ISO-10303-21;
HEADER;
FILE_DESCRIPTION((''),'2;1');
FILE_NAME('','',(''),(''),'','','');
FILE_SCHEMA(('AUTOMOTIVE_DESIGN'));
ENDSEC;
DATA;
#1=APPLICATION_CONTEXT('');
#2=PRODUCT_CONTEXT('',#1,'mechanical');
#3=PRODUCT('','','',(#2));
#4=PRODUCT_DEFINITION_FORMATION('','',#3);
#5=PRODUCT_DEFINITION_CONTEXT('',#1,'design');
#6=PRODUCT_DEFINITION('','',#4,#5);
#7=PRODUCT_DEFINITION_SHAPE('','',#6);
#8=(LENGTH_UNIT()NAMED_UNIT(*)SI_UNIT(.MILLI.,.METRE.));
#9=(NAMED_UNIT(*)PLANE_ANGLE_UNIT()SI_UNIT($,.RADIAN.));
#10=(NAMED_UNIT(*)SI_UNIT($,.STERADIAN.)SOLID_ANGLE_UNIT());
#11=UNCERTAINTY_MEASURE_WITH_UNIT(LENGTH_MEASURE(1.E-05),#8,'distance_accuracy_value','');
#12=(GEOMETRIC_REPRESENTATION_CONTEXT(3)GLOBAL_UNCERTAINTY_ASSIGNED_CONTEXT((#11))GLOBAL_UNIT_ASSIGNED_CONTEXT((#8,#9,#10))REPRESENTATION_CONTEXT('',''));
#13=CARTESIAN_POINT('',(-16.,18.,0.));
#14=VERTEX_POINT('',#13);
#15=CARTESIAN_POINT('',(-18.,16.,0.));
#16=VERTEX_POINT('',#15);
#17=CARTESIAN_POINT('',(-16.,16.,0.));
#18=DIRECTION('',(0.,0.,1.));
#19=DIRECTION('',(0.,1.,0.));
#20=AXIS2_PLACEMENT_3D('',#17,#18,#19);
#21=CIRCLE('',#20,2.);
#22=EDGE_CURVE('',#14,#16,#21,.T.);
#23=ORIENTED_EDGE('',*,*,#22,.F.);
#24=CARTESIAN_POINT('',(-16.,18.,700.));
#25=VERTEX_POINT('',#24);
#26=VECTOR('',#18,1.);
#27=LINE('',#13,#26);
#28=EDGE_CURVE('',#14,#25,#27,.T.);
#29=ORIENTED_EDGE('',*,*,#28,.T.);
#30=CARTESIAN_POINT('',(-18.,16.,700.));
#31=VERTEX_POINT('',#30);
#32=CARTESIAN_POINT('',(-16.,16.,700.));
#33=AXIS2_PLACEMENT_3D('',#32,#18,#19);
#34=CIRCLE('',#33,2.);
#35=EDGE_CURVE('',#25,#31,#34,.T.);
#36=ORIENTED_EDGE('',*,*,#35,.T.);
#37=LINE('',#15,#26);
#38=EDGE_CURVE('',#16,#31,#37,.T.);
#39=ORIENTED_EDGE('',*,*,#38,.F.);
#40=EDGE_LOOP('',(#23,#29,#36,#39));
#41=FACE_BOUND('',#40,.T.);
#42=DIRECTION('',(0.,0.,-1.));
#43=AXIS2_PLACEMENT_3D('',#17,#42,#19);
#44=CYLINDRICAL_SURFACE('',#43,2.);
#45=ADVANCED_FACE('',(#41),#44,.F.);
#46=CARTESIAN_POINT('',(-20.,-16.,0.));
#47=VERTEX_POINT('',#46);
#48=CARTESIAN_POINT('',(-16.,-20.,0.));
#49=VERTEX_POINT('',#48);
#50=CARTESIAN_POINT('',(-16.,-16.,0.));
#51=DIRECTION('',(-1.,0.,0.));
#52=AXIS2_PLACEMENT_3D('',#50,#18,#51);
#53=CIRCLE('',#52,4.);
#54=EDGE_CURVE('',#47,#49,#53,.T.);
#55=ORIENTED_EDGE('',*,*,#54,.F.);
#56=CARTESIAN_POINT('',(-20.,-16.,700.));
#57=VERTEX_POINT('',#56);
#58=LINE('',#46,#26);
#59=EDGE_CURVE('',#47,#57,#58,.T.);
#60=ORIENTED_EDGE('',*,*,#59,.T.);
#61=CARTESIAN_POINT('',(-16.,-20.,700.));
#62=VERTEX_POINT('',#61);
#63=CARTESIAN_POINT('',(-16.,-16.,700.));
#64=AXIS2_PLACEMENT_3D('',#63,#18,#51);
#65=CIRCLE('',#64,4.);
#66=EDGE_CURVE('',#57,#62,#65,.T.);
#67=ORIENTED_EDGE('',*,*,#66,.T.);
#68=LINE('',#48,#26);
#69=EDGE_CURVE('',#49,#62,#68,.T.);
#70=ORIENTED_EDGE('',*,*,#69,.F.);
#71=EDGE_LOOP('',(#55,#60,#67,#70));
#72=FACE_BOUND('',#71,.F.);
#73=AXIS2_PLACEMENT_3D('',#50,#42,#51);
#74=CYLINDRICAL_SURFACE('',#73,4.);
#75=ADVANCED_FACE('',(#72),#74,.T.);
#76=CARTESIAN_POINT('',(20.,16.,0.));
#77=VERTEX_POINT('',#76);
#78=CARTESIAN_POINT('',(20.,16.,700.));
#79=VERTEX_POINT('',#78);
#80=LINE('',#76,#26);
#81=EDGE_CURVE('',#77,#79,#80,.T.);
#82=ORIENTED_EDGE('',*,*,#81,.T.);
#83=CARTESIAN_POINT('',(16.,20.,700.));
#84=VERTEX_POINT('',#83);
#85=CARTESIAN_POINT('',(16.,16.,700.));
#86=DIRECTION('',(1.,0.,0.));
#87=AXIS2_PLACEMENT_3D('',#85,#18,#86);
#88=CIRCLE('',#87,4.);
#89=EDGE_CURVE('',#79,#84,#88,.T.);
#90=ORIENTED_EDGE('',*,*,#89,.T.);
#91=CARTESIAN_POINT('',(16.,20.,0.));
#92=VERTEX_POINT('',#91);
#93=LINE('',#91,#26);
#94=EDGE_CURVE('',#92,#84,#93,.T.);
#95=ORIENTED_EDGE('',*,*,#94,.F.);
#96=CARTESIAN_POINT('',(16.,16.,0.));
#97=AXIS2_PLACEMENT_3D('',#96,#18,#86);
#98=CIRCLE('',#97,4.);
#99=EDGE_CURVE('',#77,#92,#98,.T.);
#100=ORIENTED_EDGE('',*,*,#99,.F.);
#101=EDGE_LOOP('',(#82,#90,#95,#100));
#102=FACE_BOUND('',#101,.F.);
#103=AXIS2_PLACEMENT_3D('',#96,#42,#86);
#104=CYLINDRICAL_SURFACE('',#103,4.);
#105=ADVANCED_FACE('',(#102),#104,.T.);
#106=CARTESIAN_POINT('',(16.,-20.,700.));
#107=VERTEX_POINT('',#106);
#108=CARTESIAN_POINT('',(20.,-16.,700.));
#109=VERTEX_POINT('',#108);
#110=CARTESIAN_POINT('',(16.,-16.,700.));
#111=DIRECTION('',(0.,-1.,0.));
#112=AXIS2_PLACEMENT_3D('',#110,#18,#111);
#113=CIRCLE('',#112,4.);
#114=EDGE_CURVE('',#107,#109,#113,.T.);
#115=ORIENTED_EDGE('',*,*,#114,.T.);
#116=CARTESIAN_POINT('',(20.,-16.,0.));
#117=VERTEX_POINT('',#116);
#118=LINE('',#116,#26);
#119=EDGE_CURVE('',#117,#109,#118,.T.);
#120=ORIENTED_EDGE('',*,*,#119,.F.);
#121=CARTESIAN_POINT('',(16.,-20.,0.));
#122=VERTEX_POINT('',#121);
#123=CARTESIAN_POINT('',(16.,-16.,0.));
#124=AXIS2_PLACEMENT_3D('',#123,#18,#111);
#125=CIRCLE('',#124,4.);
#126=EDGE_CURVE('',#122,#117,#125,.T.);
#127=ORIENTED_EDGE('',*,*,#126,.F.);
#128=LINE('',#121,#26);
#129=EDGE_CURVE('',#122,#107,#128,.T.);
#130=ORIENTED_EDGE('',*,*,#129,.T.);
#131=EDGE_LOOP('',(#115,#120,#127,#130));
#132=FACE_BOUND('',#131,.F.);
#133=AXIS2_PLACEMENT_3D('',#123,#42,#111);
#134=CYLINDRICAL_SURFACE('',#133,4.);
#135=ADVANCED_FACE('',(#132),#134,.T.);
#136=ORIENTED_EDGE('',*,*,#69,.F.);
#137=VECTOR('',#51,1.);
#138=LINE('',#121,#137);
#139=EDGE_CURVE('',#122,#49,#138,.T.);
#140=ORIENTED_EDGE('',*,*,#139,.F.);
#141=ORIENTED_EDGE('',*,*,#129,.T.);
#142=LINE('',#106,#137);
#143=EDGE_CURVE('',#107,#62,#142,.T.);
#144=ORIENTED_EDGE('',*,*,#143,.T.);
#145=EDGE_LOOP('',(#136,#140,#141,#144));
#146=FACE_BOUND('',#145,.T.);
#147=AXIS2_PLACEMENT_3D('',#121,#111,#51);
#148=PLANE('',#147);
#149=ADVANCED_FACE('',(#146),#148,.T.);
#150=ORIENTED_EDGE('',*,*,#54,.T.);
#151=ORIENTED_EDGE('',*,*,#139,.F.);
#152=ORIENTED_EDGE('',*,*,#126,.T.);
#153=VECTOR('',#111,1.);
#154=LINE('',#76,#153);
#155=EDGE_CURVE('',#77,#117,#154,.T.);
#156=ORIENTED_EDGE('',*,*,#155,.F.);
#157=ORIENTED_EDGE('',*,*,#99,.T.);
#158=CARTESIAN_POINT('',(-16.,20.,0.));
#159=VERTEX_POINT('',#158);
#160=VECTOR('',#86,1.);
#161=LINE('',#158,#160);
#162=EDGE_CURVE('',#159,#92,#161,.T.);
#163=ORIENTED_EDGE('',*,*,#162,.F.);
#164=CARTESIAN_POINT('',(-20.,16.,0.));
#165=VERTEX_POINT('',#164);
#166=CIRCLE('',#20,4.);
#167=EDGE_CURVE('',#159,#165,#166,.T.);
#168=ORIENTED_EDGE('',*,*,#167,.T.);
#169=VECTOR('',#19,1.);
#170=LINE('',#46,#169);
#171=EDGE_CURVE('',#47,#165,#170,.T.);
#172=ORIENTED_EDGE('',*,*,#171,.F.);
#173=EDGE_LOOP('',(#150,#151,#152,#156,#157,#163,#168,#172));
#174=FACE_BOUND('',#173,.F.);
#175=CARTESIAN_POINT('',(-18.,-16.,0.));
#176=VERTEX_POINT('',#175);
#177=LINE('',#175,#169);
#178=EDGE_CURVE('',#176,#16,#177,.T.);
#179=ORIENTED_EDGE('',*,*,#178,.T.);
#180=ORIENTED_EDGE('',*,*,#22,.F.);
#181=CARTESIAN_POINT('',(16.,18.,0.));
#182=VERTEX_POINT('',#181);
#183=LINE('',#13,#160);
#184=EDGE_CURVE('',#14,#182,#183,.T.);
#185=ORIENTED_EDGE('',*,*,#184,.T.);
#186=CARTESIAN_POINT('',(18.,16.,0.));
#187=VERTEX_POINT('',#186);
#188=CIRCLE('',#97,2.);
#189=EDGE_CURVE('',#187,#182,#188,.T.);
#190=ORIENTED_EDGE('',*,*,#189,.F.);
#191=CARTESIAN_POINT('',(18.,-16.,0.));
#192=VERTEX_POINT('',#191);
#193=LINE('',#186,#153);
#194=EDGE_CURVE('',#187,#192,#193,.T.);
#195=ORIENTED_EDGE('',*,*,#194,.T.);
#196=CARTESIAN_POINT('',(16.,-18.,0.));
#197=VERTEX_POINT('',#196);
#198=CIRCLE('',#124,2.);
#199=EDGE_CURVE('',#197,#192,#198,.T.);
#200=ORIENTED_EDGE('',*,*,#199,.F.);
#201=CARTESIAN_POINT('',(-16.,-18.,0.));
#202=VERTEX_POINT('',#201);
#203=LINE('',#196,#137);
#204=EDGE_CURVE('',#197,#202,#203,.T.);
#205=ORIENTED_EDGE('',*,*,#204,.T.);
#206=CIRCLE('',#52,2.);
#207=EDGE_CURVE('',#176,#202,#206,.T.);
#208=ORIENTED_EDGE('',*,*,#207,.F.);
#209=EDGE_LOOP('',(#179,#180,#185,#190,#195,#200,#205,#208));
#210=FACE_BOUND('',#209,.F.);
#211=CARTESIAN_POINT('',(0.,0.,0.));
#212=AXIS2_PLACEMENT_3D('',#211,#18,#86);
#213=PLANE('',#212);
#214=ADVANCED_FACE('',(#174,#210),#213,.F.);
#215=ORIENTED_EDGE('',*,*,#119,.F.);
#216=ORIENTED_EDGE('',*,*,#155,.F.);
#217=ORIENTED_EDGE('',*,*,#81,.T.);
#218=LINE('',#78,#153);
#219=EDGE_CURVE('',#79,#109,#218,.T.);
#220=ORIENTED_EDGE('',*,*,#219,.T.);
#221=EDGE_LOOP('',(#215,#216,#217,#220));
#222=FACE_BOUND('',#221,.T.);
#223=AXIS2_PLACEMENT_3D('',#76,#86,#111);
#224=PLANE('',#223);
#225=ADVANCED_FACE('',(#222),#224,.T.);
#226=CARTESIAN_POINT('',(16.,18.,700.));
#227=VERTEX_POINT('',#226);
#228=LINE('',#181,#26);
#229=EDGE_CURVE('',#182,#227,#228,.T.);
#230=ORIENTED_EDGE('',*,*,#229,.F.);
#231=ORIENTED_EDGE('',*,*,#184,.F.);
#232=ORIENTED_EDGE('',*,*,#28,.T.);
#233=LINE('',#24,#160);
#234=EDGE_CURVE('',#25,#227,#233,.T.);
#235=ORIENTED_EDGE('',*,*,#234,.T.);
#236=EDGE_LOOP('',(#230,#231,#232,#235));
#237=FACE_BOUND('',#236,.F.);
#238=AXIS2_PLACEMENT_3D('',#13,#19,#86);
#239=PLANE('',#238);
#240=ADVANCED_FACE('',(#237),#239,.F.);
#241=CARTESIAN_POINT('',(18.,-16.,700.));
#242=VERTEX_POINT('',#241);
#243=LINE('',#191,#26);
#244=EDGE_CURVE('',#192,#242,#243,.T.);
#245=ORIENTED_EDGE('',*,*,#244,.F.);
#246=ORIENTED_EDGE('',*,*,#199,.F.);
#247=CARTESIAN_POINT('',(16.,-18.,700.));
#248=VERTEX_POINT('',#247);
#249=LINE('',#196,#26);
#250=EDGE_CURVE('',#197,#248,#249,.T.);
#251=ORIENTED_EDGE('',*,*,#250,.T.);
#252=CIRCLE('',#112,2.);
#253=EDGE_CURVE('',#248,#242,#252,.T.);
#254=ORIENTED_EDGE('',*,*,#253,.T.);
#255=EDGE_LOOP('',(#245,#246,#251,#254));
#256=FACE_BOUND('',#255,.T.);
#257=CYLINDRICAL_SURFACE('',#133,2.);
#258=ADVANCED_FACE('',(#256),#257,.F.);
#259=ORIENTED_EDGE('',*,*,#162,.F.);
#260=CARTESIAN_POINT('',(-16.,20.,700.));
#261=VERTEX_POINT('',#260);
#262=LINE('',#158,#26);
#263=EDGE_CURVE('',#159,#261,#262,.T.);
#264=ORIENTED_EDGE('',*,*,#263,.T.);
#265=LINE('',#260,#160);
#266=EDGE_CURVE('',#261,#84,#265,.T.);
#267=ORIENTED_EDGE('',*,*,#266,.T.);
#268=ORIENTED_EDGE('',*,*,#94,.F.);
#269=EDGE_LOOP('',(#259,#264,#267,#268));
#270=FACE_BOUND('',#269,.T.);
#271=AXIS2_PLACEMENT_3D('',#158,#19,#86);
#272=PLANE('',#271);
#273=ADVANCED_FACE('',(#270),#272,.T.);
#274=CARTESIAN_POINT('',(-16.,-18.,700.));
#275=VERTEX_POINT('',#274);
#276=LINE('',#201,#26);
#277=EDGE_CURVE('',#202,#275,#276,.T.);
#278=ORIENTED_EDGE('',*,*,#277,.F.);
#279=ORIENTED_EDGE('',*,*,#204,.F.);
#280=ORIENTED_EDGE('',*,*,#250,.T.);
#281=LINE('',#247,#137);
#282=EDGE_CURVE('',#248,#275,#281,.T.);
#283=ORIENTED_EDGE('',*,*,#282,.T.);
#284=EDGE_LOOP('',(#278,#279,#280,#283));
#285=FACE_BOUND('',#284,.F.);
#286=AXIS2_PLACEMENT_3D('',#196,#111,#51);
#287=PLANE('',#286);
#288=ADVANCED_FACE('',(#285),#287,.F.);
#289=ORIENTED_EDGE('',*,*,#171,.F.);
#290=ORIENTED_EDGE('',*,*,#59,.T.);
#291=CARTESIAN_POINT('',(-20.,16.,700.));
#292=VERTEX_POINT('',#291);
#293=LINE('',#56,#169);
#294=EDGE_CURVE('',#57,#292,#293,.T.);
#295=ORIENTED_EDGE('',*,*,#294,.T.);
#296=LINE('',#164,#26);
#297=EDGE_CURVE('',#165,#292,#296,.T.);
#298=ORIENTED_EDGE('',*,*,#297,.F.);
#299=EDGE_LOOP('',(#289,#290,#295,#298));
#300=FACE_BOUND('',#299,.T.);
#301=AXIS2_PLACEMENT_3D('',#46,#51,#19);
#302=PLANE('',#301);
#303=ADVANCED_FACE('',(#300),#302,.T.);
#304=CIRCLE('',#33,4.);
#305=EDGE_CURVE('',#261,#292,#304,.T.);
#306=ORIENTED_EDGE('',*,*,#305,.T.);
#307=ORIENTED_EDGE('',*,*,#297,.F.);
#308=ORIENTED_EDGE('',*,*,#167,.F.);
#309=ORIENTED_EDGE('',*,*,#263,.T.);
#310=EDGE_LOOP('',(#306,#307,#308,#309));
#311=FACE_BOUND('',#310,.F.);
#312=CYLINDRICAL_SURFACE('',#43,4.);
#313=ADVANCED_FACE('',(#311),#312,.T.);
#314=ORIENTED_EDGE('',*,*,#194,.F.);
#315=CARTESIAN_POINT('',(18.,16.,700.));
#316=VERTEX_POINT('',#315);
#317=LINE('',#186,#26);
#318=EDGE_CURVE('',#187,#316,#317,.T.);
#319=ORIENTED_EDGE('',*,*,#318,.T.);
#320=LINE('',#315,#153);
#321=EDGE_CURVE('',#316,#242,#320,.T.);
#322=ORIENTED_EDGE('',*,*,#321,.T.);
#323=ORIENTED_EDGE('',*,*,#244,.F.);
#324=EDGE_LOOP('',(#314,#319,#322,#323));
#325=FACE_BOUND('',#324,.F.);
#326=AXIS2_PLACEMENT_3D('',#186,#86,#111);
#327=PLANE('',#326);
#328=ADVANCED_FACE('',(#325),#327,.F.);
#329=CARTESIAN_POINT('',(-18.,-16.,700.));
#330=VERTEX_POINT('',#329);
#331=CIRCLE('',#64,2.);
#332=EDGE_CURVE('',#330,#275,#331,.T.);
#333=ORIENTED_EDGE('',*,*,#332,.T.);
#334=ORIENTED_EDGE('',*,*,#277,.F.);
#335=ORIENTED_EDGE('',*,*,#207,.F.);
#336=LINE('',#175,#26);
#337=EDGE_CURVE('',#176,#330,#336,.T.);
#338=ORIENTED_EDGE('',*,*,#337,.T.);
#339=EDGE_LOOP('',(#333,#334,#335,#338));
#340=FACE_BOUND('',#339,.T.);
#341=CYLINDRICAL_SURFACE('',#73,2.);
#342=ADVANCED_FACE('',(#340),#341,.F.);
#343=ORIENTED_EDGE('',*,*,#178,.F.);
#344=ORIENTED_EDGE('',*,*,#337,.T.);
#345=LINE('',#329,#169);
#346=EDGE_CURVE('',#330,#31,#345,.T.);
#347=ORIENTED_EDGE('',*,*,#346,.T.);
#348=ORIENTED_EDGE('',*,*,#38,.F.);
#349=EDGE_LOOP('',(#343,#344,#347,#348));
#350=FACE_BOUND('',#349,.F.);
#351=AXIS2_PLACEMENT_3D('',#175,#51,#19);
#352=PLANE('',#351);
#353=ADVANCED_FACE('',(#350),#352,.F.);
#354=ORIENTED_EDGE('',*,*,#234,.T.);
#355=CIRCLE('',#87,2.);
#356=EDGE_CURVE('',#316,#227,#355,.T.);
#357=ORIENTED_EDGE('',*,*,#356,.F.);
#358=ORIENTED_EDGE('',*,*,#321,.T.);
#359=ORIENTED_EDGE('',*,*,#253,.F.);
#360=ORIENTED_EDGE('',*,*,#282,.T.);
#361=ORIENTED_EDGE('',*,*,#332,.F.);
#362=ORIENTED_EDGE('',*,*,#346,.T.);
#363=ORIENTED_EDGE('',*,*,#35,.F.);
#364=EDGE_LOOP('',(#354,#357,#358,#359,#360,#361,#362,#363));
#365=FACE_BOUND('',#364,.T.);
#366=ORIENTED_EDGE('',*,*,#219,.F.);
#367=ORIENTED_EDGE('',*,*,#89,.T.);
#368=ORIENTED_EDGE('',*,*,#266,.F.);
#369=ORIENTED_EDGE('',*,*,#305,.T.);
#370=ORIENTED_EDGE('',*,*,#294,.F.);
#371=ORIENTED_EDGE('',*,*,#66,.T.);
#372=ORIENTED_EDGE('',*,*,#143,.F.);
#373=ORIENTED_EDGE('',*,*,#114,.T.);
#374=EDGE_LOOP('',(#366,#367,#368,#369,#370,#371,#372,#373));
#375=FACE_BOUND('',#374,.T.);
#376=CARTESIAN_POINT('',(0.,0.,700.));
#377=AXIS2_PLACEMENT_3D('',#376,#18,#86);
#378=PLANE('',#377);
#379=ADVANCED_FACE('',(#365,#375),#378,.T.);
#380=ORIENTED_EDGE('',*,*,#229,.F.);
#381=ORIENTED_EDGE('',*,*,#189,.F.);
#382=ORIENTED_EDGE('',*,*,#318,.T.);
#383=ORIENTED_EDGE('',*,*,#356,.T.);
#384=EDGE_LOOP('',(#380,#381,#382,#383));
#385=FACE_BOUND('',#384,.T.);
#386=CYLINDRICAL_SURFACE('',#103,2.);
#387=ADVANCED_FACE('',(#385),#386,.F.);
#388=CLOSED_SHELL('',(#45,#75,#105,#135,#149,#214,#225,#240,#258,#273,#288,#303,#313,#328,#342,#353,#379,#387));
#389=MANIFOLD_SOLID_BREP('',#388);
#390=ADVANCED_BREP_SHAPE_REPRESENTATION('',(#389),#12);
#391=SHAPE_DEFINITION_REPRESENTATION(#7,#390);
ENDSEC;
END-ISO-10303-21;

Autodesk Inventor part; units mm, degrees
ref_plane "YZ Plane" through (0, 0, 0) normal (1, 0, 0) x (0, 1, 0)
ref_plane "Start plane" through (0, 0, 0) normal (0, 0, 1) x (1, 0, 0)
ref_plane "End plane" through (0, 0, 700) normal (0, 0, 1) x (1, 0, 0)
sketch "Sketch" plane through (0, 0, 0) normal (0, 0, 1) x (1, 0, 0)
  line L0 (-20, -16) -> (-20, 16)
  line L1 (-16, 20) -> (16, 20)
  line L2 (20, 16) -> (20, -16)
  line L3 (16, -20) -> (-16, -20)
  arc A0 (-20, -16) -> (-16, -20) centre (-16, -16) ccw
  arc A1 (20, 16) -> (16, 20) centre (16, 16) ccw
  arc A2 (-16, 20) -> (-20, 16) centre (-16, 16) ccw
  arc A3 (16, -20) -> (20, -16) centre (16, -16) ccw
  arc A4 (-16, 18) -> (-18, 16) centre (-16, 16) ccw
  line L4 (-16, 18) -> (16, 18)
  arc A5 (18, 16) -> (16, 18) centre (16, 16) ccw
  line L5 (18, 16) -> (18, -16)
  arc A6 (16, -18) -> (18, -16) centre (16, -16) ccw
  line L6 (16, -18) -> (-16, -18)
  arc A7 (-18, -16) -> (-16, -18) centre (-16, -16) ccw
  line L7 (-18, -16) -> (-18, 16)
  line L8 (0, 36.7397) -> (0, -36.7397) construction
  line L9 (-36.7397, 0) -> (36.7397, 0) construction
  dimension "d7" = 4
  dimension "d9" = 40
  dimension "d11" = 40
  dimension "d12" = 2
  dimension "d15" = 20
  dimension "d16" = 20
extrude "Body" add sketch "Sketch" along normal up to surface (700 mm away) from surface at 0
sketch "Sketch3" plane through (0, 0, 0) normal (0, 0, 1) x (1, 0, 0)
  line L0 (0, 0) -> (10, 0)
ref_plane "Work Plane3" through (0, 0, 0) normal (0, -1, 0) x (1, 0, 0)
sketch "Sketch4" plane through (0, 0, 0) normal (0, -1, 0) x (1, 0, 0)
  line L0 (-2, 0) -> (12, 0) projected
  line L1 (-2, 700) -> (12, 700) projected
  dimension "d18" = 700
equation "\"d7\" = G_IR"
equation "\"d9\" = G_W"
equation "\"d11\" = G_H"
equation "\"d12\" = G_T"
equation "\"d15\" = 0.5 * d9"
equation "\"d16\" = 0.5 * d11"
equation "\"d3\" = G_L"
equation "\"G_W\" = 40"
equation "\"G_H\" = 40"
equation "\"G_T\" = 2"
equation "\"G_IR\" = 4"
equation "\"G_L\" = d18"
equation "\"G_OFFSET_START\" = 0"
equation "\"G_OFFSET_END\" = 0"
properties part number "ISO 10799-2 - 40x40x2 - 700" material "Steel, Mild"
